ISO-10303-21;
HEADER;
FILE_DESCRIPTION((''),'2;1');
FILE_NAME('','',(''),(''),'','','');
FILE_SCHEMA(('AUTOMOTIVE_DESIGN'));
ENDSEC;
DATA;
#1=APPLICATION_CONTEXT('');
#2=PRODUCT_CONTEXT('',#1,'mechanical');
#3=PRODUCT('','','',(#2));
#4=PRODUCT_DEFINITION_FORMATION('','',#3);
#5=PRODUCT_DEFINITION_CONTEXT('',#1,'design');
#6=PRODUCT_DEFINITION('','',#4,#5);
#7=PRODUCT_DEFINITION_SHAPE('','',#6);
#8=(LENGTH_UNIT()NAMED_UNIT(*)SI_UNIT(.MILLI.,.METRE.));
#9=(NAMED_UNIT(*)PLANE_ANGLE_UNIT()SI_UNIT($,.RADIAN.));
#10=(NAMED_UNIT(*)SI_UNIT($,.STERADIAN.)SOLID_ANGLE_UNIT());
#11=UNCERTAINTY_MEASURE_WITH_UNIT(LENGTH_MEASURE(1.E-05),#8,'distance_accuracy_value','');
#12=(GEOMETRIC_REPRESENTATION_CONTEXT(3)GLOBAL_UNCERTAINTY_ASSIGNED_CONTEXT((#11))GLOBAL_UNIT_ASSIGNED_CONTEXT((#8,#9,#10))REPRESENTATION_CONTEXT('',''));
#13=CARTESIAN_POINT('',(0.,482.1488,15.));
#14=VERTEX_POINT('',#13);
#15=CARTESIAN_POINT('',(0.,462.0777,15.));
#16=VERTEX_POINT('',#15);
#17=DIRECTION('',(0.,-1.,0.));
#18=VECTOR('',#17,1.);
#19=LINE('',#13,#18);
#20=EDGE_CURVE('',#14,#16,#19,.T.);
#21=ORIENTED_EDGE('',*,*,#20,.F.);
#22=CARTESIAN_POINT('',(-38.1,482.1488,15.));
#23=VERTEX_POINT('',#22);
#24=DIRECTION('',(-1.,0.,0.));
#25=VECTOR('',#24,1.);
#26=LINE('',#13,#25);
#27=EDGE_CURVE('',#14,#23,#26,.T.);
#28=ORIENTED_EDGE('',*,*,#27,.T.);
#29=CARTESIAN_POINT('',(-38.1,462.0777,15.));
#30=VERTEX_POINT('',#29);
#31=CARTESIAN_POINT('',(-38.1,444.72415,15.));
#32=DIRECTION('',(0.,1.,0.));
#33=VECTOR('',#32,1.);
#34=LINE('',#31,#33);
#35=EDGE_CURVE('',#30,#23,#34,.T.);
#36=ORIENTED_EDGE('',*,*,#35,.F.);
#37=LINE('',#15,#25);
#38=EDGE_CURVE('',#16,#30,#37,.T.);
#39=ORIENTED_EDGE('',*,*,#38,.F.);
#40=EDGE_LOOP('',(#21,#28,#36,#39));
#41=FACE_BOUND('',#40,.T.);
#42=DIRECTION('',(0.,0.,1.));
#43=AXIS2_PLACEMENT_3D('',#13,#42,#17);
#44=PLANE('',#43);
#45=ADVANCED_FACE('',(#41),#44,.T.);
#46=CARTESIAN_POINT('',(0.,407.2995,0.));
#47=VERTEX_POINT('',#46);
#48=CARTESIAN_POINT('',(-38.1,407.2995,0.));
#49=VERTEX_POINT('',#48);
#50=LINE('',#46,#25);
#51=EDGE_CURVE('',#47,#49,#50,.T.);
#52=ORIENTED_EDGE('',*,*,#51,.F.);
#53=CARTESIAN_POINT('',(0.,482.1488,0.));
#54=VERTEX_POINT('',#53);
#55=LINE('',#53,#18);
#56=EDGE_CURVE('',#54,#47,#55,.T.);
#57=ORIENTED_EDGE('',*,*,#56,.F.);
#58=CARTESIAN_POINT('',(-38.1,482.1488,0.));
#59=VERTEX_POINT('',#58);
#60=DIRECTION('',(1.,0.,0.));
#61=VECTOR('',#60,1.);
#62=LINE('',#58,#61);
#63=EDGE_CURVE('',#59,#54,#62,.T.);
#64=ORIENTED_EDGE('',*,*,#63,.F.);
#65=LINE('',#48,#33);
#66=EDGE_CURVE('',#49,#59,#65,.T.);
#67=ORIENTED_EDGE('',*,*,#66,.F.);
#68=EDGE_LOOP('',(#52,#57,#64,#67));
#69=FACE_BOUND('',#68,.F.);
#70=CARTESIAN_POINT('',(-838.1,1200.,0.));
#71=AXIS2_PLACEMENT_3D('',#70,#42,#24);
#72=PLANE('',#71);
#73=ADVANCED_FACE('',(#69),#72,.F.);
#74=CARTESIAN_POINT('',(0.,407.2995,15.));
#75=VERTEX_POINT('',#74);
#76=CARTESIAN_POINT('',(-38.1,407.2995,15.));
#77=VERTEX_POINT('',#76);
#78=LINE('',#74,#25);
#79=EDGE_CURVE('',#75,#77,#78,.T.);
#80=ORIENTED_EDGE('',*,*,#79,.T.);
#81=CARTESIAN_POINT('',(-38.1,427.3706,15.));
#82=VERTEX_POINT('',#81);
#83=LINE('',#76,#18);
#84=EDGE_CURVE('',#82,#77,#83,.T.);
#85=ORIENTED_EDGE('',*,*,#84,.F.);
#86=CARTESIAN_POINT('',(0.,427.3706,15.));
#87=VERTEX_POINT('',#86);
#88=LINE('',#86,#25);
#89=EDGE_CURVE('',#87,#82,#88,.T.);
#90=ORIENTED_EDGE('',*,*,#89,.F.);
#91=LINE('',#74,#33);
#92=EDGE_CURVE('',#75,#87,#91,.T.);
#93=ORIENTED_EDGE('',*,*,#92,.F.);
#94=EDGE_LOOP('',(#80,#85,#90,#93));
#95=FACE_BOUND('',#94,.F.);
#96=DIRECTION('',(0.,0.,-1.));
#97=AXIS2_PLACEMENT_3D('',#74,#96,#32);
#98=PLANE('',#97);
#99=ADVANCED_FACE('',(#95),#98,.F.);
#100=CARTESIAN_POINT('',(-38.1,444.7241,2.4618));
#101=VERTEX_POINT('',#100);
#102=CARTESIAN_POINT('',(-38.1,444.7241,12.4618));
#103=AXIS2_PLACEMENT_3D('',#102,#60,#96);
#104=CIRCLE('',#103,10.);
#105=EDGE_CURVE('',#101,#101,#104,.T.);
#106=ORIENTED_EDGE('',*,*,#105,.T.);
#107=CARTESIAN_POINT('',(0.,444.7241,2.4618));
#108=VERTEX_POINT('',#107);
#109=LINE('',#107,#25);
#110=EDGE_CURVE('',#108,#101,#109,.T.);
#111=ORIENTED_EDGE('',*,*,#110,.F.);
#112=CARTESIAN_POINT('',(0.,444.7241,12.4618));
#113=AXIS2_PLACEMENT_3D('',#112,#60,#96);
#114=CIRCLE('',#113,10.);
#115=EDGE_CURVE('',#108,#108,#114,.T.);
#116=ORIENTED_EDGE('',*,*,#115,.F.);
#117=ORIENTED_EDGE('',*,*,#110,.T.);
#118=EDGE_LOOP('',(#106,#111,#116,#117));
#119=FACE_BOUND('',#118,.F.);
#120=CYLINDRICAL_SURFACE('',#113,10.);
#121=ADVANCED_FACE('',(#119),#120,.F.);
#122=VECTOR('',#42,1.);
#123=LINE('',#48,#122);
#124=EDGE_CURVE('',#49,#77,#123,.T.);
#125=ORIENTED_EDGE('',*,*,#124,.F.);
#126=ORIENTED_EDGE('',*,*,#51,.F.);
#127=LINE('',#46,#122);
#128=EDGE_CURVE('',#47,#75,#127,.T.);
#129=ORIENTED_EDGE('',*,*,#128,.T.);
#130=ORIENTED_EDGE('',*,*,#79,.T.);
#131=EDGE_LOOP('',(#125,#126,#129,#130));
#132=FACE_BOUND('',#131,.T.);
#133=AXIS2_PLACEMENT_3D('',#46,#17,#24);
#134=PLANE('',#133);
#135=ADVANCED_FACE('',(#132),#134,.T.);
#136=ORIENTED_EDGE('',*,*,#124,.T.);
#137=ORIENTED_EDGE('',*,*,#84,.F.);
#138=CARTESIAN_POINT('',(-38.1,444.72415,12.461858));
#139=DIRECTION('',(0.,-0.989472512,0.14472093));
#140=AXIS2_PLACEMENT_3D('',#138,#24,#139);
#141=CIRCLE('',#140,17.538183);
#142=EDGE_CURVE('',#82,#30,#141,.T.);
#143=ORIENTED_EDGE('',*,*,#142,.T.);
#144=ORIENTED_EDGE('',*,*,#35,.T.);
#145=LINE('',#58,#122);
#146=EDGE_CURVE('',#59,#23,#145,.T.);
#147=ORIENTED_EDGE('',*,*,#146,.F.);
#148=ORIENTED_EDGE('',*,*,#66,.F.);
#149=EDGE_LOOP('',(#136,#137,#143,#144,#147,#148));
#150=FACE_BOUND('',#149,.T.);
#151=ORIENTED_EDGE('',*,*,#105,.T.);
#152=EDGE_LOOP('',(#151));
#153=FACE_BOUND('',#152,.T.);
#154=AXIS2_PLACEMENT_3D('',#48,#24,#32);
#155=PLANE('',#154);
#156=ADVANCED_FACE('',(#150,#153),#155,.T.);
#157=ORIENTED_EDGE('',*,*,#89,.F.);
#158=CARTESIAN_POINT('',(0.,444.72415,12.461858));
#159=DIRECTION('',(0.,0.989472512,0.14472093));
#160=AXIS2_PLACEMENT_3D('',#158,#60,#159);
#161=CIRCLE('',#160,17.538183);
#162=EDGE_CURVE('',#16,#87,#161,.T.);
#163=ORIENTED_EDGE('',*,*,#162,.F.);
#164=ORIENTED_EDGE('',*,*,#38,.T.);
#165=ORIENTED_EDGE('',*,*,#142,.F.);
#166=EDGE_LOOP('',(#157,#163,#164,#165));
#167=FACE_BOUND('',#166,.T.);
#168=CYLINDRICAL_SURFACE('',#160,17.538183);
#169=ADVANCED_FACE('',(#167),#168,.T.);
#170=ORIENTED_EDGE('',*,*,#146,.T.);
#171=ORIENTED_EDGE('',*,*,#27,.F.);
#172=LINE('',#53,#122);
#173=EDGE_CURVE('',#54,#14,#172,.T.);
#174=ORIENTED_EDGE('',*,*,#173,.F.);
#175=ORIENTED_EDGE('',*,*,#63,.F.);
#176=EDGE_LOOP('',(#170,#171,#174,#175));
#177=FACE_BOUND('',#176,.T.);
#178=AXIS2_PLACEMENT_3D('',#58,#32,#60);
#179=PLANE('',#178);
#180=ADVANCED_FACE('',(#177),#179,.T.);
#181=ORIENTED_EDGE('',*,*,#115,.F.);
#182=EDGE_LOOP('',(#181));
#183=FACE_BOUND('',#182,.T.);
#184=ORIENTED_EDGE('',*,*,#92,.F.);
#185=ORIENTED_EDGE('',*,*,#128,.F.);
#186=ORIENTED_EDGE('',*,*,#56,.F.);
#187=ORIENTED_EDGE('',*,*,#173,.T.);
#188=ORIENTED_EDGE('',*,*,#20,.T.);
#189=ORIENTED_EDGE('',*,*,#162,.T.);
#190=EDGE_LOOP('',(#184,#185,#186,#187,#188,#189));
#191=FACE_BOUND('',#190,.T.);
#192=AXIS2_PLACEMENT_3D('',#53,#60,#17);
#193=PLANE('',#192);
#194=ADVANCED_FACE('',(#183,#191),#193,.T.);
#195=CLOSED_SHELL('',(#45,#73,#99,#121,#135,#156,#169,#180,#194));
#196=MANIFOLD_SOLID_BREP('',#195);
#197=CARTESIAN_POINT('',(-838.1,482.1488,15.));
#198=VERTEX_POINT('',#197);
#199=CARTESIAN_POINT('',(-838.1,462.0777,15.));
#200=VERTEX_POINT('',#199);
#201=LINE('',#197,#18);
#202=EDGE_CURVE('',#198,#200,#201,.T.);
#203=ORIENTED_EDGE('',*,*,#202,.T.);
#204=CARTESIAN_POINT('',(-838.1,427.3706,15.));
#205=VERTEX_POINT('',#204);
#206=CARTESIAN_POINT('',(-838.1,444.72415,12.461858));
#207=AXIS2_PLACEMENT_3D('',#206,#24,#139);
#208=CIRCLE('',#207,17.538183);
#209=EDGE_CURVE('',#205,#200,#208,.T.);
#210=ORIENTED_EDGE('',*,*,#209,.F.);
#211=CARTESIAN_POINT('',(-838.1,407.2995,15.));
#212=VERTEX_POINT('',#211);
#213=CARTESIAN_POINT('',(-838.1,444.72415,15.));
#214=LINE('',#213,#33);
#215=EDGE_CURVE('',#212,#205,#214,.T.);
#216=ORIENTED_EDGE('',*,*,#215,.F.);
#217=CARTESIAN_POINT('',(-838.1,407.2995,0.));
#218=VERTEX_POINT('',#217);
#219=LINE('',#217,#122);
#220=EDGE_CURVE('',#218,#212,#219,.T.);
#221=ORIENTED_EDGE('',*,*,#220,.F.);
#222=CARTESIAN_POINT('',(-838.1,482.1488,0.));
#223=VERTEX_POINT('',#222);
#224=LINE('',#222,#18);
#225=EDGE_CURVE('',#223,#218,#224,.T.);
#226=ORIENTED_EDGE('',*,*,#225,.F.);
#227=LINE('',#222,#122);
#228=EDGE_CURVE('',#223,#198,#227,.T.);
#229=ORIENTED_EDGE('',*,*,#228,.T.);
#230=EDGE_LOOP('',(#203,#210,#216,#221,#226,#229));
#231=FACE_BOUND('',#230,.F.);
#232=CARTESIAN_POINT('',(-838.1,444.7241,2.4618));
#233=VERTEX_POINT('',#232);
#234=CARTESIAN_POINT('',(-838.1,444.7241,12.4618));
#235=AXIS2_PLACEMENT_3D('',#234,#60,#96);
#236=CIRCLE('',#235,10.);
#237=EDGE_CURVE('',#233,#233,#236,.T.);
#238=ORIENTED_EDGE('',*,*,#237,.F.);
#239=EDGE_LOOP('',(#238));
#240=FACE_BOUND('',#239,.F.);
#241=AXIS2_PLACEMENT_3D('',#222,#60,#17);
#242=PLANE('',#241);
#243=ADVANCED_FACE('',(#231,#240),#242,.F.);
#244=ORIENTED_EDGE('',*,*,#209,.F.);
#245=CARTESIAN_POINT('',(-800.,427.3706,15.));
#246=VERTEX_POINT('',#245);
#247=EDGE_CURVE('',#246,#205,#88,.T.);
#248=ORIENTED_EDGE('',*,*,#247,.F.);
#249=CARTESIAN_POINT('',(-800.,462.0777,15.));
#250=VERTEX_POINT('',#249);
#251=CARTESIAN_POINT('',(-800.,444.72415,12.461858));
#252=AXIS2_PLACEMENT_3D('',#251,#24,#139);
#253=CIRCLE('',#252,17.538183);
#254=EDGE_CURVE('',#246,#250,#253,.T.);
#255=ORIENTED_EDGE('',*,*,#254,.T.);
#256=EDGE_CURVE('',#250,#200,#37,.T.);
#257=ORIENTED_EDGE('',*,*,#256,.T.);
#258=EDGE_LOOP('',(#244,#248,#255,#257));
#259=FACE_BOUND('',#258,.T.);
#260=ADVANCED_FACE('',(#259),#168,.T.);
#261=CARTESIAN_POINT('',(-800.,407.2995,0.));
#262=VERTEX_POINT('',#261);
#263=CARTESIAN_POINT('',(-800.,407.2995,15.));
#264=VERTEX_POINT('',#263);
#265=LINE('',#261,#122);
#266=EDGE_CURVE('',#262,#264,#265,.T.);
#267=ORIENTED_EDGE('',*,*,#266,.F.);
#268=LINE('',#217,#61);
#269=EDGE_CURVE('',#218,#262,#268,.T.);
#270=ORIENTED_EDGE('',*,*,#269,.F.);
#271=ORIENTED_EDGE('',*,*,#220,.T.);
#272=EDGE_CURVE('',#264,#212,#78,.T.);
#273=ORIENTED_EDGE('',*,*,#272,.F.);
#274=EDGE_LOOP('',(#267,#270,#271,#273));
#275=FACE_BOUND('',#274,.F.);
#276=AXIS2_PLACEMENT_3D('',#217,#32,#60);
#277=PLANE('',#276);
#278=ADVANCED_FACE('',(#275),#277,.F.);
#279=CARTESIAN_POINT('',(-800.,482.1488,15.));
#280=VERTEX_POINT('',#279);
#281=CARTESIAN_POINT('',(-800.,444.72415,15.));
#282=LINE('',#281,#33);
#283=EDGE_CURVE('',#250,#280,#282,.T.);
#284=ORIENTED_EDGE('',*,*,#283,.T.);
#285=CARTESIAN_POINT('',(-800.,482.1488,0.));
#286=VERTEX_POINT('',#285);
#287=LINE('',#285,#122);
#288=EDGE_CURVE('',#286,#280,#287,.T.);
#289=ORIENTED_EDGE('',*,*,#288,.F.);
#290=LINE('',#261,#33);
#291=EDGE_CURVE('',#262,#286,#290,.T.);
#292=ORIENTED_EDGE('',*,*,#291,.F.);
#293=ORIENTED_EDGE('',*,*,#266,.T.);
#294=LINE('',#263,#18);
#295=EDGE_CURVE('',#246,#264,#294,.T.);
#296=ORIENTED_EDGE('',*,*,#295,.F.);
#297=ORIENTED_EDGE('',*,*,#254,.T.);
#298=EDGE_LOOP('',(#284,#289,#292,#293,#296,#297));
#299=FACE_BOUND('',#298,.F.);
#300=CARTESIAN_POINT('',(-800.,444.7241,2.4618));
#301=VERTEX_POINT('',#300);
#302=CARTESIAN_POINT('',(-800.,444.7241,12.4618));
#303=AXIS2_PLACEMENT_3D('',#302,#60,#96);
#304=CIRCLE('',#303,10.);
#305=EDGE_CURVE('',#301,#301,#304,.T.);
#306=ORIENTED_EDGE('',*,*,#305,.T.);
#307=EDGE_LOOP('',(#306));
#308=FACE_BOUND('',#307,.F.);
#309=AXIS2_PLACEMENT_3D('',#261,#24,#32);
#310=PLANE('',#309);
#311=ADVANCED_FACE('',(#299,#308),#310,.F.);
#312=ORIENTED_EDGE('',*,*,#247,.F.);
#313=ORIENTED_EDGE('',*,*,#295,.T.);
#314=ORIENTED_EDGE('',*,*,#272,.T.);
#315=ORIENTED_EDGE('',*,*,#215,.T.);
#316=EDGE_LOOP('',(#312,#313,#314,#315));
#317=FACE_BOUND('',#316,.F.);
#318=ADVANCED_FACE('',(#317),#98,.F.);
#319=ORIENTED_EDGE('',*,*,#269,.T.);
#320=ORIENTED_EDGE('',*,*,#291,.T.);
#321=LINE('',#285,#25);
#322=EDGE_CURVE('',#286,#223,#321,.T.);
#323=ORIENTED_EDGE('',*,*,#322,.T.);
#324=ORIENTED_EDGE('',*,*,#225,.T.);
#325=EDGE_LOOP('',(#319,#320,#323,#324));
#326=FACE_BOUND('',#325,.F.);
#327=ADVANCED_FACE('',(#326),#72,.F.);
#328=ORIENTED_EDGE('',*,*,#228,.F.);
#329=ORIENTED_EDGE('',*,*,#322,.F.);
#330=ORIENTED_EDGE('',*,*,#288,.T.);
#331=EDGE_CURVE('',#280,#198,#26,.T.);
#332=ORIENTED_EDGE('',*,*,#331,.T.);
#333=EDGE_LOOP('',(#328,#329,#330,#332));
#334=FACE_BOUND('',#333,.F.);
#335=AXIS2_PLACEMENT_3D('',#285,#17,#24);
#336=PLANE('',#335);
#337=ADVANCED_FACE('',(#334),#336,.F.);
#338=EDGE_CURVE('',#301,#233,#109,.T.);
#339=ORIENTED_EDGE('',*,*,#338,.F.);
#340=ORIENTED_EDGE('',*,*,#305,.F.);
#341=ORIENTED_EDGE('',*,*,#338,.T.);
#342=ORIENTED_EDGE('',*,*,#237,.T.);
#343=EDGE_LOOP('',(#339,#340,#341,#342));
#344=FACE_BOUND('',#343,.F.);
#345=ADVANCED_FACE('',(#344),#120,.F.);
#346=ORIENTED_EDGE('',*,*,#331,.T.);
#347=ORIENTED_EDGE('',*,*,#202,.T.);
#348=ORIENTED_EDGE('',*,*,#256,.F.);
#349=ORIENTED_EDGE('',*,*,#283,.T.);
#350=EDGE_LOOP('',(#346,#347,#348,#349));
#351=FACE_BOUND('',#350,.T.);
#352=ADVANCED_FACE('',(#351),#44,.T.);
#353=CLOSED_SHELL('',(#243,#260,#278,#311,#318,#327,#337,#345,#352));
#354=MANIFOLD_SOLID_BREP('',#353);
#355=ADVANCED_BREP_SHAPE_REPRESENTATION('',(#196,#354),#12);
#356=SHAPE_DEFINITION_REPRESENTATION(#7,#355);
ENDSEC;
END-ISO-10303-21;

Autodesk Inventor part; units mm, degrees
ref_plane "YZ Plane" through (0, 0, 0) normal (1, 0, 0) x (0, 1, 0)
ref_plane "XZ Plane" through (0, 0, 0) normal (0, 1, 0) x (-1, 0, 0)
ref_plane "XY Plane" through (0, 0, 0) normal (0, 0, 1) x (1, 0, 0)
ref_plane "Work Plane1" through (-838.1, 1200, 0) normal (0, 0, 1) x (-1, 0, 0)
sketch "Sketch1" plane through (-838.1, 1200, 0) normal (0, 0, 1) x (-1, 0, 0)
  line L0 (0, 792.7005) -> (-38.1, 792.7005)
  line L1 (-38.1, 792.7005) -> (-38.1, 717.8512)
  line L2 (-38.1, 717.8512) -> (0, 717.8512)
  line L3 (0, 717.8512) -> (0, 792.7005)
  line L4 (0, 1219.05) -> (0, -19.05) projected
  line L5 (-38.1, 1180.95) -> (-38.1, 19.05) projected
  line L6 (-838.1, 1219.05) -> (0, 1219.05) construction
  line L7 (-419.05, 1219.05) -> (-419.05, -161.3247) construction
  line L8 (-838.1, 792.7005) -> (-800, 792.7005)
  line L9 (-800, 792.7005) -> (-800, 717.8512)
  line L10 (-800, 717.8512) -> (-838.1, 717.8512)
  line L11 (-838.1, 717.8512) -> (-838.1, 792.7005)
  point P0 (-838.1, 1200)
extrude "Extrusion1" add sketch "Sketch1" along normal blind 30
sketch "Sketch3" plane through (0, 407.2995, 0) normal (1, 0, 0) x (0, 0, -1)
  line L0 (0, 0) -> (-30, 0) projected
  line L1 (0, 0) -> (-15, 0)
  line L2 (-15, 0) -> (-15, 20.0711)
  arc A0 (-15, 54.7782) -> (-15, 20.0711) centre (-12.4618, 37.4246) ccw
  line L3 (-30, 0) -> (-30, 74.8493) projected
  line L4 (0, 0) -> (0, 74.8493) projected
  line L5 (0, 37.4246) -> (-30, 37.4246) construction
  line L6 (-15, 74.8493) -> (-15, 54.7782)
  line L7 (0, 74.8493) -> (-30, 74.8493) projected
  line L8 (-15, 74.8493) -> (0, 74.8493) construction
  line L9 (0, 74.8493) -> (0, 0) construction
  circle A1 centre (-12.4618, 37.4246) radius 10
  line L10 (-15, 74.8493) -> (0, 74.8493)
  point P0 (0, -407.2995)
  point P1 (-30, 37.4246)
  dimension "d5" = 20
  dimension "d6" = 17.5382
  dimension "d7" = 15
extrude "Extrusion3" cut sketch "Sketch3" against normal through all contours L0 L3 A0 L2 | L6 A0 L3 L7 | A1
properties part number "Stand"
